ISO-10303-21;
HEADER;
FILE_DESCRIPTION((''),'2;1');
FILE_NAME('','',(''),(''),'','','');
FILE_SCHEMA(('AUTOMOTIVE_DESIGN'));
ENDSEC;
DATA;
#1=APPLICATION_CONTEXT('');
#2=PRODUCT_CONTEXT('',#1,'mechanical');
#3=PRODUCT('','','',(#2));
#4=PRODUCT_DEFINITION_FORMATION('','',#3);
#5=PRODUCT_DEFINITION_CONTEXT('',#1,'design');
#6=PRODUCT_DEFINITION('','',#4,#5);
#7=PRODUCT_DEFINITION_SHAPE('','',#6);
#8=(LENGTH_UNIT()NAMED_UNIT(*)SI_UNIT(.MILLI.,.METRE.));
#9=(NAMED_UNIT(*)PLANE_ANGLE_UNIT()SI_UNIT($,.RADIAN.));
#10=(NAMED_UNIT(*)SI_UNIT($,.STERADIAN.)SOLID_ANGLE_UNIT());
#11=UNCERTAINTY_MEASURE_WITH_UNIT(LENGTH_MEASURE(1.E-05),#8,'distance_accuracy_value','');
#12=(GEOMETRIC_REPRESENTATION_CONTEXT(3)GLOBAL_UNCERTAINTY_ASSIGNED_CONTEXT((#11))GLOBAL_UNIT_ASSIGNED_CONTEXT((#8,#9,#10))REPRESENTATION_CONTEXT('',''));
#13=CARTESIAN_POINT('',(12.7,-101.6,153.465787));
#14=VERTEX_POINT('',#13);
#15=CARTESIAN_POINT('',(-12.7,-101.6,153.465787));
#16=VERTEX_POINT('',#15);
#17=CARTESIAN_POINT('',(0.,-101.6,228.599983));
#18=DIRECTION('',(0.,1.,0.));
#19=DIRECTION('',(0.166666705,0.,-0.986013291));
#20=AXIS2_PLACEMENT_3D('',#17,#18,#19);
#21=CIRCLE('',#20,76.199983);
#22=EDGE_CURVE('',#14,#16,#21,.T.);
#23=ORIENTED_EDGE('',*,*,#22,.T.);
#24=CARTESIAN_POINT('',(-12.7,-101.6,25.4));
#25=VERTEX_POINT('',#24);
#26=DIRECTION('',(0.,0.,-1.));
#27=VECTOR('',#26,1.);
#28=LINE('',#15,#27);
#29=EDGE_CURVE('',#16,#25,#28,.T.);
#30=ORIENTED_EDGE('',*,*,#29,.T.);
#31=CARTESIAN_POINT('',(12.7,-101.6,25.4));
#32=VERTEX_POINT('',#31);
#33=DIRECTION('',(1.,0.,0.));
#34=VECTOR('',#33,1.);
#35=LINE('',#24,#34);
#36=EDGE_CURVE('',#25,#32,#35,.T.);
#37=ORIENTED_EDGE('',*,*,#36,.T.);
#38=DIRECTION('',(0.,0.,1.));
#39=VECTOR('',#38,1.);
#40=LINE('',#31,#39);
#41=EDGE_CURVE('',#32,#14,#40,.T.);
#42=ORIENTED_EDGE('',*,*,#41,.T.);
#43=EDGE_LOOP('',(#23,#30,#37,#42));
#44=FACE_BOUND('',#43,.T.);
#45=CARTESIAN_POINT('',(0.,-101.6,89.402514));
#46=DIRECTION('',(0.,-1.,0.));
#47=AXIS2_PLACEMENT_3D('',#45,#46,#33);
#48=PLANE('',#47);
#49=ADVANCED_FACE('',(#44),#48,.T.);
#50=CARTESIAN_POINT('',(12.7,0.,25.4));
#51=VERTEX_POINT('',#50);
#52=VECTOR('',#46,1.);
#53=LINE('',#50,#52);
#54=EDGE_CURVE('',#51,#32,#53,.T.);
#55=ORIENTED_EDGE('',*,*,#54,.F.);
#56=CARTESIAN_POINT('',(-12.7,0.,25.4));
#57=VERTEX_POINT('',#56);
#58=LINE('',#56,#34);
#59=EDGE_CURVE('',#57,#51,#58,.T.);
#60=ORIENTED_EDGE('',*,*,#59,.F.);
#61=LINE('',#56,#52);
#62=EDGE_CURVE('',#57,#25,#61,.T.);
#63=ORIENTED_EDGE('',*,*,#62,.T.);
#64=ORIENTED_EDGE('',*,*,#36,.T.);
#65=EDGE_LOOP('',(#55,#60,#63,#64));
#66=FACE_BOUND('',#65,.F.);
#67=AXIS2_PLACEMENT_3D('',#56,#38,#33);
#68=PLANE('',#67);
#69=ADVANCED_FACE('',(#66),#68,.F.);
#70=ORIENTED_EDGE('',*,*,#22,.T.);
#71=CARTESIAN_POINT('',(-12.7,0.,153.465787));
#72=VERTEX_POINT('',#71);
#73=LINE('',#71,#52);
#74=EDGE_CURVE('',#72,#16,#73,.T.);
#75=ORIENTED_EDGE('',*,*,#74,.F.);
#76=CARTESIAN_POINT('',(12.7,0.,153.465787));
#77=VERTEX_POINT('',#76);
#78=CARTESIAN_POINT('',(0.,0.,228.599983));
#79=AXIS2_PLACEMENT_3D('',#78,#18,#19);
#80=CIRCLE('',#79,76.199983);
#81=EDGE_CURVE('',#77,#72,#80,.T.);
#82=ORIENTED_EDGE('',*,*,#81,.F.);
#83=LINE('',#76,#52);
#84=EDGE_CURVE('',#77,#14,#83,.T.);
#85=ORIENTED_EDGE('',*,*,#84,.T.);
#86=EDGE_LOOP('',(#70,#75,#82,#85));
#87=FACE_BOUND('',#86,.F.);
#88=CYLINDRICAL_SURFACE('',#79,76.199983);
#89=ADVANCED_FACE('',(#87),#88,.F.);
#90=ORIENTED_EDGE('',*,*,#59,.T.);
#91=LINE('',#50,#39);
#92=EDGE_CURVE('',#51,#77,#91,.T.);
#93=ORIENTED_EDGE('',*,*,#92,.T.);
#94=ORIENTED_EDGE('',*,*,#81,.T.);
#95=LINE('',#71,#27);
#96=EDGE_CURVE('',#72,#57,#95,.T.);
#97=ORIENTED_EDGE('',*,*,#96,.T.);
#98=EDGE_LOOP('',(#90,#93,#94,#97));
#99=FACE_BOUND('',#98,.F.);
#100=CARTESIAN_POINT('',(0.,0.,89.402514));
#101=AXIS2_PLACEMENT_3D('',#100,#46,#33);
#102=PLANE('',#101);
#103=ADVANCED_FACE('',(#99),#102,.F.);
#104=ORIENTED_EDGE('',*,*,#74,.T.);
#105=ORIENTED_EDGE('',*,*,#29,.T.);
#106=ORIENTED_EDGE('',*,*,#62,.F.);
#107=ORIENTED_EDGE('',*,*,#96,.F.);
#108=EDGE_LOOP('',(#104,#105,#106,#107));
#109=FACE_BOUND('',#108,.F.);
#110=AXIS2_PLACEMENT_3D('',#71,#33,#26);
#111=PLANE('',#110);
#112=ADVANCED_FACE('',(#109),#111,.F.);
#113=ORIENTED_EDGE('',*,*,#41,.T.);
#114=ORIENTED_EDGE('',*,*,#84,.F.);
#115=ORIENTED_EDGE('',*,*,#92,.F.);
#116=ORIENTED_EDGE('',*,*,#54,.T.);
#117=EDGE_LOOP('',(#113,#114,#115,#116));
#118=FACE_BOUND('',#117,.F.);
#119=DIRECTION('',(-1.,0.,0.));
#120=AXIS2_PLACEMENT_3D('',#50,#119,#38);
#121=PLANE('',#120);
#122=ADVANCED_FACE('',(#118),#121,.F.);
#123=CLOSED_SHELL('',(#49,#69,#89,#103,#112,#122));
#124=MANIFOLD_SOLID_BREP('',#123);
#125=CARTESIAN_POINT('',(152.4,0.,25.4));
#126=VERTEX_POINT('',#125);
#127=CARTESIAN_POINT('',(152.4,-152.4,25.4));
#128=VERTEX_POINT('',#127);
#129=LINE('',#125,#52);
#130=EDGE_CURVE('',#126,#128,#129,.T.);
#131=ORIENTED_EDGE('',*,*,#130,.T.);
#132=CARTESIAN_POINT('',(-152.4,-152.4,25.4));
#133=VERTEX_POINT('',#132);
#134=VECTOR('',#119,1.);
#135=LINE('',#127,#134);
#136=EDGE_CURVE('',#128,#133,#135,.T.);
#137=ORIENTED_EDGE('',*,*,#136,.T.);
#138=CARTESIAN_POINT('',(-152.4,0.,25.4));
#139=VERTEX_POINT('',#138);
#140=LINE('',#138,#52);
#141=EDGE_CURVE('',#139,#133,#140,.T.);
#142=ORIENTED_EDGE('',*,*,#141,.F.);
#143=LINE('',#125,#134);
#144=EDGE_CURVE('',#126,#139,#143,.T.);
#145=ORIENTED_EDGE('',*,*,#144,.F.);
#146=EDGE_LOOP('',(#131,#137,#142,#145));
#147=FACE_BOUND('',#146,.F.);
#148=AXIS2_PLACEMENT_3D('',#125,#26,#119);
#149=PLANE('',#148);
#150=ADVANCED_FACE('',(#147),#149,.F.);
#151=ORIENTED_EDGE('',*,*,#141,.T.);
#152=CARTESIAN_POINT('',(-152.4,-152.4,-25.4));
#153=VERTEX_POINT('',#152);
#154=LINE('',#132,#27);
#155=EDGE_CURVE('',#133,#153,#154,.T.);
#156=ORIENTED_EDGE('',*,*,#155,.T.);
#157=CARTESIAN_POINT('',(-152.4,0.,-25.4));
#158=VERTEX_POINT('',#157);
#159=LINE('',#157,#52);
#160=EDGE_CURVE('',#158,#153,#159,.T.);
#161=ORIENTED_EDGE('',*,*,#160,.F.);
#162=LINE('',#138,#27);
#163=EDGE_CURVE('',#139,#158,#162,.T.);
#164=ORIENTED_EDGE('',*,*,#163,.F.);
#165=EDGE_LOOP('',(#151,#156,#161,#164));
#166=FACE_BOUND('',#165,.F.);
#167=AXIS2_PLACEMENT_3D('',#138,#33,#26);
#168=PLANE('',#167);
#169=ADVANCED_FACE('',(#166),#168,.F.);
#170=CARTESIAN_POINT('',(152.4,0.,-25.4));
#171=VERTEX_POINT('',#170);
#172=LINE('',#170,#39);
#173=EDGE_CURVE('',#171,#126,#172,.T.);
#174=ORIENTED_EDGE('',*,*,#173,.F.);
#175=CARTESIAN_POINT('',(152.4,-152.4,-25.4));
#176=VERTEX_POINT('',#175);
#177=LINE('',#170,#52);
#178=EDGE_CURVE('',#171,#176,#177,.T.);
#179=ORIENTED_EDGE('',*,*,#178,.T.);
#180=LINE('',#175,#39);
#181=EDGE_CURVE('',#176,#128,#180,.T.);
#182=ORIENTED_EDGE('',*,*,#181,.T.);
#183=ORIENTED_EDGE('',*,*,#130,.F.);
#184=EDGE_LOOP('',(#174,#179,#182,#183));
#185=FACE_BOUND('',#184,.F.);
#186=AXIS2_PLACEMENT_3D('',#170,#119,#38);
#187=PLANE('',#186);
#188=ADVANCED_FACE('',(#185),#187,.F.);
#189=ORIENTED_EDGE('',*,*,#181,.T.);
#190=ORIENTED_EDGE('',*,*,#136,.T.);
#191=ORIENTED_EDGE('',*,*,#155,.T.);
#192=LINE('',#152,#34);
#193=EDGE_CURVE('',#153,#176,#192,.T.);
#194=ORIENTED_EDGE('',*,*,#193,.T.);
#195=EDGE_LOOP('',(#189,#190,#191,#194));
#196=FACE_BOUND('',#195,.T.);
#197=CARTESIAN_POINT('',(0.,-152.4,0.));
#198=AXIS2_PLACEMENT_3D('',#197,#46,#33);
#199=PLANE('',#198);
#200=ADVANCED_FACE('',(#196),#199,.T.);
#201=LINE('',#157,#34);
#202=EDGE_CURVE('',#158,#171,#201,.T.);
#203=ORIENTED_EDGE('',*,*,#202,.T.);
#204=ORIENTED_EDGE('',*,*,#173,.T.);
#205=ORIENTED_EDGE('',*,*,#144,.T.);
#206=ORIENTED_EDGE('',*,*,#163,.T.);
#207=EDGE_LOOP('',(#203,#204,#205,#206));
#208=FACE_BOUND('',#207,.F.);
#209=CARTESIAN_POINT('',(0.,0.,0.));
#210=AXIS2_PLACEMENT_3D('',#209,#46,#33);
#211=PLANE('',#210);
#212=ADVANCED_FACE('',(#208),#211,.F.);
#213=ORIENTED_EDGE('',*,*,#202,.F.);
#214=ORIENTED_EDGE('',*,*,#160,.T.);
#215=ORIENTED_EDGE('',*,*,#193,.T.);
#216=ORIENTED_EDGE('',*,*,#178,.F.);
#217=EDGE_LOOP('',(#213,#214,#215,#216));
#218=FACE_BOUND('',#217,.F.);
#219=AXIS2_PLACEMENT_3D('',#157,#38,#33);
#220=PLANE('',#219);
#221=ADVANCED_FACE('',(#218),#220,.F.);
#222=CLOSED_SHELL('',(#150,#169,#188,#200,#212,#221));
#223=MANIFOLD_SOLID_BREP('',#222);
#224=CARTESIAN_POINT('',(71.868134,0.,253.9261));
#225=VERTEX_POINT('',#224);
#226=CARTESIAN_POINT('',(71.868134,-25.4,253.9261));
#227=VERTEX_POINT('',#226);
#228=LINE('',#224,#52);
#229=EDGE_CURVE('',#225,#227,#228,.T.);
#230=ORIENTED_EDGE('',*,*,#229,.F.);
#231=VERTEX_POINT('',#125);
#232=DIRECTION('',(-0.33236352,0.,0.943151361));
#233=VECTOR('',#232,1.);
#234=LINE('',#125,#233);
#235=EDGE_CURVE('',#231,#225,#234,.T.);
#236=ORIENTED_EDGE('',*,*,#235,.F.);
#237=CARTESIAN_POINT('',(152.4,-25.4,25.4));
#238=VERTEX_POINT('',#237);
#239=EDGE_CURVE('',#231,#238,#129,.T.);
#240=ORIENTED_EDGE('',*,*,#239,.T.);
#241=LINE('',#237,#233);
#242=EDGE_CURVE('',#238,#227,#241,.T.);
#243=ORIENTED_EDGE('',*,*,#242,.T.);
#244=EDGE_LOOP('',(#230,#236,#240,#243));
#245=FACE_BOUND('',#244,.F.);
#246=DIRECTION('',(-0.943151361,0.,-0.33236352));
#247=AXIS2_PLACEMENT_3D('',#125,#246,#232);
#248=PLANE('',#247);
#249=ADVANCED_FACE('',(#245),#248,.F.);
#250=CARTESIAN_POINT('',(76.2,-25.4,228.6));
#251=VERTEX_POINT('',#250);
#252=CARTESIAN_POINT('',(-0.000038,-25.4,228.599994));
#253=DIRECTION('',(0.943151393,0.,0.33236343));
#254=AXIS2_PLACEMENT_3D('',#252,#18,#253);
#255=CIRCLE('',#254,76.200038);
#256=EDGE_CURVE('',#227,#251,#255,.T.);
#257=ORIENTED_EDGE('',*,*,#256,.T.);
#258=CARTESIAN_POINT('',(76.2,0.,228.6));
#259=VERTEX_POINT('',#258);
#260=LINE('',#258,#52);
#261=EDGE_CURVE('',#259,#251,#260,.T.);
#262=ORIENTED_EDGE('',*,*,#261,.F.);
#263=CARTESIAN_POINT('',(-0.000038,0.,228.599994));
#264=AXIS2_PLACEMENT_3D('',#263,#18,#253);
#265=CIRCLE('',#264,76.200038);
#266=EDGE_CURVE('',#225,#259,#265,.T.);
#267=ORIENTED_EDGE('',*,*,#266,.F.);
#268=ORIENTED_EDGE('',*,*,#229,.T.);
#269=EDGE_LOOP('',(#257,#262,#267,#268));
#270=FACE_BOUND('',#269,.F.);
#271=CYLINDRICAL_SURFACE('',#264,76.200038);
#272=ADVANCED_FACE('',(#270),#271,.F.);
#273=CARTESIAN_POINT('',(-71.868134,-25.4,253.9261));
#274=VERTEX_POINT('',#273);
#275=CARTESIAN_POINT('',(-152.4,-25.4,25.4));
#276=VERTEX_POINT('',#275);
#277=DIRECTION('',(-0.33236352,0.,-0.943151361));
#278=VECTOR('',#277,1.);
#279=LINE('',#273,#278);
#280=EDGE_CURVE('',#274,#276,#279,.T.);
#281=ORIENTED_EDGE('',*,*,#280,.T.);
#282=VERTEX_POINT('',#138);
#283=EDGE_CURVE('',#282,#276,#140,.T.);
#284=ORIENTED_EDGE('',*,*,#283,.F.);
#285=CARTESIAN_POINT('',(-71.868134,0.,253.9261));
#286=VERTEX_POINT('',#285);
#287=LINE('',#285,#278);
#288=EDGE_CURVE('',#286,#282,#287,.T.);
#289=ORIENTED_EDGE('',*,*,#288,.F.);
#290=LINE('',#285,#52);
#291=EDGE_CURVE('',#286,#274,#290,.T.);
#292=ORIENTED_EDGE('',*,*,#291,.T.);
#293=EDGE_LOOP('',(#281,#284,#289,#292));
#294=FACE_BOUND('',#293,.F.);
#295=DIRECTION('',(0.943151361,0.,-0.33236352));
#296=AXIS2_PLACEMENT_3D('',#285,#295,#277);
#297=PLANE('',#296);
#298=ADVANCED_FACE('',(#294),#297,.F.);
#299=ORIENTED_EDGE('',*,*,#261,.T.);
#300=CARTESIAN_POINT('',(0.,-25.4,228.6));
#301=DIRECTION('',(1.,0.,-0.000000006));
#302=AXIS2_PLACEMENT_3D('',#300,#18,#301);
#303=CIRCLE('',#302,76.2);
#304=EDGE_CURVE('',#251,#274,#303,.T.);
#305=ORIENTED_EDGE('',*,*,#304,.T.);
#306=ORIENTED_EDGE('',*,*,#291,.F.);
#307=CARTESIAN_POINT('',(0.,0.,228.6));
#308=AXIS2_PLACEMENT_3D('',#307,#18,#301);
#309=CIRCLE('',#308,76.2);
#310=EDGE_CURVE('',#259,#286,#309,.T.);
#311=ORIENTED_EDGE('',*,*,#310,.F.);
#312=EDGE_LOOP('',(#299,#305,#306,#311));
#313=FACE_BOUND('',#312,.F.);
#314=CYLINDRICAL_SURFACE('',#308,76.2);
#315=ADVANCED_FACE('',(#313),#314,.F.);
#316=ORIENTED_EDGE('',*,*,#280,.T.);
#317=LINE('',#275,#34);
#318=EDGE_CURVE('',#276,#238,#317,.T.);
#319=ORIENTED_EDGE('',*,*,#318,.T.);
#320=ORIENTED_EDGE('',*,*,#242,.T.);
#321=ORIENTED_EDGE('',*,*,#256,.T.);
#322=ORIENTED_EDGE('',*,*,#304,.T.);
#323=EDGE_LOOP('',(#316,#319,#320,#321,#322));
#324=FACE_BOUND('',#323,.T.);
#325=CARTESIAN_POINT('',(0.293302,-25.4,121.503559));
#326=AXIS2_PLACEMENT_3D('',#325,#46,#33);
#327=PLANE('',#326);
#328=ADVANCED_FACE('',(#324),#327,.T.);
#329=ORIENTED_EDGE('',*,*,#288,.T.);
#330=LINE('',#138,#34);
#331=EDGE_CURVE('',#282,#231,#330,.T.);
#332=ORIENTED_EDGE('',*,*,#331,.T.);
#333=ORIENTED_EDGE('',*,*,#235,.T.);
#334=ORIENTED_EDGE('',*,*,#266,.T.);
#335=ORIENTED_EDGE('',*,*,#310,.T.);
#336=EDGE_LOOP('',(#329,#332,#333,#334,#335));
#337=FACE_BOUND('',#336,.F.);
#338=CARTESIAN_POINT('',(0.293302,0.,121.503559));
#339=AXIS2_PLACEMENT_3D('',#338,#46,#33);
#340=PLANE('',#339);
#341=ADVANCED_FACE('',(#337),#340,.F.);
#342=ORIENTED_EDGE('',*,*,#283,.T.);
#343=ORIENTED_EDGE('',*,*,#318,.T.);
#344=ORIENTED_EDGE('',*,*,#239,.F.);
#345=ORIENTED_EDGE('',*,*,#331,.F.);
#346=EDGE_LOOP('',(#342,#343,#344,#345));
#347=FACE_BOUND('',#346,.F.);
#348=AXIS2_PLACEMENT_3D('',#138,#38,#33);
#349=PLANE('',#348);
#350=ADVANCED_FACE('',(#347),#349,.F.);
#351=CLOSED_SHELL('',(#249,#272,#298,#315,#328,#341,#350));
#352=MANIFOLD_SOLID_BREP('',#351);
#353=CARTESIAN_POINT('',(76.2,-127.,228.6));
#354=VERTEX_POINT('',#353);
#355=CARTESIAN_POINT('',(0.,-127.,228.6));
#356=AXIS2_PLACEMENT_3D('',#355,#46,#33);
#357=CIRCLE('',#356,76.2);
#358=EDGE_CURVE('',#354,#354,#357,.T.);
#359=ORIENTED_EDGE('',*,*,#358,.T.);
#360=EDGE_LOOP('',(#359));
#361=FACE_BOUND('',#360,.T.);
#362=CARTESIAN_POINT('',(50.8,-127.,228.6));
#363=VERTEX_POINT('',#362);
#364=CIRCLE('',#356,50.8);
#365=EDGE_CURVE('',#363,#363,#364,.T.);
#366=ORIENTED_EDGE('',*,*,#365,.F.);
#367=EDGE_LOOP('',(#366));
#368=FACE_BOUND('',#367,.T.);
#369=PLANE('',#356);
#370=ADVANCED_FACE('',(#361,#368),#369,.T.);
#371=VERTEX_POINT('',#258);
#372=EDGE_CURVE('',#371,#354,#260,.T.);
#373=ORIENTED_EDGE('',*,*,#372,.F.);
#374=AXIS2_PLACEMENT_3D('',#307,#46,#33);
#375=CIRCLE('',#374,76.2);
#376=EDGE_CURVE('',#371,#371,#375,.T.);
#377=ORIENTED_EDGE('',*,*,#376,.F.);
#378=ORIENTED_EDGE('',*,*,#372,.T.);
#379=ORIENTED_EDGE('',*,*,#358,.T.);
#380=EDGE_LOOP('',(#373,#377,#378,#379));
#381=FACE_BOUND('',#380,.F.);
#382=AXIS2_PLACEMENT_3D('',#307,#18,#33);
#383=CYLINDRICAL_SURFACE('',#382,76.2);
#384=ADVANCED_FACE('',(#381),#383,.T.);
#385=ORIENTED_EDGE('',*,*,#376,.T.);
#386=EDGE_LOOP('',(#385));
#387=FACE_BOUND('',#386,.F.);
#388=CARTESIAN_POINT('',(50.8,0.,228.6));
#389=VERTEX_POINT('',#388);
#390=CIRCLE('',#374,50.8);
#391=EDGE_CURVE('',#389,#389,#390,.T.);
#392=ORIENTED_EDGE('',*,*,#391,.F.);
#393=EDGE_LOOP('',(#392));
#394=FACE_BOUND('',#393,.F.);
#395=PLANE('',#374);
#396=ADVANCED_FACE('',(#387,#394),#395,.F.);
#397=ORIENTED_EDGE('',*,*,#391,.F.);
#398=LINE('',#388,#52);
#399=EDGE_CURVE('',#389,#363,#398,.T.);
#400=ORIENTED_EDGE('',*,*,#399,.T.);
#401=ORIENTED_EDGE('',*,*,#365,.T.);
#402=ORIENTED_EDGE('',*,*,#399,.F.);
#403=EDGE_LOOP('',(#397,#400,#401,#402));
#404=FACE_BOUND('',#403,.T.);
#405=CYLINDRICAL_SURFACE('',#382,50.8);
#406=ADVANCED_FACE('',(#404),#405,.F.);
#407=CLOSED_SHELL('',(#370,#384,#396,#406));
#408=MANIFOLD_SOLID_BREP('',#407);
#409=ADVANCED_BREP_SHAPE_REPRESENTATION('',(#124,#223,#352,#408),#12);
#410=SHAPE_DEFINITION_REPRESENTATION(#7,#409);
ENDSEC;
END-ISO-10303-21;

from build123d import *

# Parameters (mm, degrees)
F1_DEPTH = 152.4
F2_R     = 76.2
F2_R_2   = 50.8
F3_DEPTH = 127
F5_DEPTH = 101.6
F7_DEPTH = 25.4


with BuildPart() as f1:
    # F0 (on Front) → F1 (new body)
    with BuildSketch(Plane.XZ):
        Polygon((-152.4, -25.4), (152.4, -25.4), (152.4, 25.4), (12.7, 25.4), (-12.7, 25.4), (-152.4, 25.4), align=None)
    extrude(amount=F1_DEPTH)


with BuildPart() as f3:
    # F2 (on Front) → F3 (new body)
    with BuildSketch(Plane.XZ):
        with Locations((0, 228.6)):
            Circle(F2_R)
        with Locations((0, 228.6)):
            Circle(F2_R_2, mode=Mode.SUBTRACT)
    extrude(amount=F3_DEPTH)


with BuildPart() as f5:
    # F4 (on Front) → F5 (new body)
    with BuildSketch(Plane.XZ):
        with BuildLine():
            Line((-12.7, 153.465787), (-12.7, 25.4))
            Line((-12.7, 25.4), (12.7, 25.4))
            Line((12.7, 25.4), (12.7, 153.465787))
            ThreePointArc((12.7, 153.465787), (0, 152.4), (-12.7, 153.465787))
        make_face()
    extrude(amount=F5_DEPTH)


with BuildPart() as f7:
    # F6 (on Front) → F7 (new body)
    with BuildSketch(Plane.XZ):
        with BuildLine():
            ThreePointArc((71.868134, 253.9261), (75.109226, 241.446949), (76.2, 228.6))
            ThreePointArc((76.2, 228.6), (-12.846949, 153.490774), (-71.868134, 253.9261))
            Line((-71.868134, 253.9261), (-152.4, 25.4))
            Line((-152.4, 25.4), (152.4, 25.4))
            Line((152.4, 25.4), (71.868134, 253.9261))
        make_face()
    extrude(amount=F7_DEPTH)


solid = Compound([f1.part, f3.part, f5.part, f7.part])
